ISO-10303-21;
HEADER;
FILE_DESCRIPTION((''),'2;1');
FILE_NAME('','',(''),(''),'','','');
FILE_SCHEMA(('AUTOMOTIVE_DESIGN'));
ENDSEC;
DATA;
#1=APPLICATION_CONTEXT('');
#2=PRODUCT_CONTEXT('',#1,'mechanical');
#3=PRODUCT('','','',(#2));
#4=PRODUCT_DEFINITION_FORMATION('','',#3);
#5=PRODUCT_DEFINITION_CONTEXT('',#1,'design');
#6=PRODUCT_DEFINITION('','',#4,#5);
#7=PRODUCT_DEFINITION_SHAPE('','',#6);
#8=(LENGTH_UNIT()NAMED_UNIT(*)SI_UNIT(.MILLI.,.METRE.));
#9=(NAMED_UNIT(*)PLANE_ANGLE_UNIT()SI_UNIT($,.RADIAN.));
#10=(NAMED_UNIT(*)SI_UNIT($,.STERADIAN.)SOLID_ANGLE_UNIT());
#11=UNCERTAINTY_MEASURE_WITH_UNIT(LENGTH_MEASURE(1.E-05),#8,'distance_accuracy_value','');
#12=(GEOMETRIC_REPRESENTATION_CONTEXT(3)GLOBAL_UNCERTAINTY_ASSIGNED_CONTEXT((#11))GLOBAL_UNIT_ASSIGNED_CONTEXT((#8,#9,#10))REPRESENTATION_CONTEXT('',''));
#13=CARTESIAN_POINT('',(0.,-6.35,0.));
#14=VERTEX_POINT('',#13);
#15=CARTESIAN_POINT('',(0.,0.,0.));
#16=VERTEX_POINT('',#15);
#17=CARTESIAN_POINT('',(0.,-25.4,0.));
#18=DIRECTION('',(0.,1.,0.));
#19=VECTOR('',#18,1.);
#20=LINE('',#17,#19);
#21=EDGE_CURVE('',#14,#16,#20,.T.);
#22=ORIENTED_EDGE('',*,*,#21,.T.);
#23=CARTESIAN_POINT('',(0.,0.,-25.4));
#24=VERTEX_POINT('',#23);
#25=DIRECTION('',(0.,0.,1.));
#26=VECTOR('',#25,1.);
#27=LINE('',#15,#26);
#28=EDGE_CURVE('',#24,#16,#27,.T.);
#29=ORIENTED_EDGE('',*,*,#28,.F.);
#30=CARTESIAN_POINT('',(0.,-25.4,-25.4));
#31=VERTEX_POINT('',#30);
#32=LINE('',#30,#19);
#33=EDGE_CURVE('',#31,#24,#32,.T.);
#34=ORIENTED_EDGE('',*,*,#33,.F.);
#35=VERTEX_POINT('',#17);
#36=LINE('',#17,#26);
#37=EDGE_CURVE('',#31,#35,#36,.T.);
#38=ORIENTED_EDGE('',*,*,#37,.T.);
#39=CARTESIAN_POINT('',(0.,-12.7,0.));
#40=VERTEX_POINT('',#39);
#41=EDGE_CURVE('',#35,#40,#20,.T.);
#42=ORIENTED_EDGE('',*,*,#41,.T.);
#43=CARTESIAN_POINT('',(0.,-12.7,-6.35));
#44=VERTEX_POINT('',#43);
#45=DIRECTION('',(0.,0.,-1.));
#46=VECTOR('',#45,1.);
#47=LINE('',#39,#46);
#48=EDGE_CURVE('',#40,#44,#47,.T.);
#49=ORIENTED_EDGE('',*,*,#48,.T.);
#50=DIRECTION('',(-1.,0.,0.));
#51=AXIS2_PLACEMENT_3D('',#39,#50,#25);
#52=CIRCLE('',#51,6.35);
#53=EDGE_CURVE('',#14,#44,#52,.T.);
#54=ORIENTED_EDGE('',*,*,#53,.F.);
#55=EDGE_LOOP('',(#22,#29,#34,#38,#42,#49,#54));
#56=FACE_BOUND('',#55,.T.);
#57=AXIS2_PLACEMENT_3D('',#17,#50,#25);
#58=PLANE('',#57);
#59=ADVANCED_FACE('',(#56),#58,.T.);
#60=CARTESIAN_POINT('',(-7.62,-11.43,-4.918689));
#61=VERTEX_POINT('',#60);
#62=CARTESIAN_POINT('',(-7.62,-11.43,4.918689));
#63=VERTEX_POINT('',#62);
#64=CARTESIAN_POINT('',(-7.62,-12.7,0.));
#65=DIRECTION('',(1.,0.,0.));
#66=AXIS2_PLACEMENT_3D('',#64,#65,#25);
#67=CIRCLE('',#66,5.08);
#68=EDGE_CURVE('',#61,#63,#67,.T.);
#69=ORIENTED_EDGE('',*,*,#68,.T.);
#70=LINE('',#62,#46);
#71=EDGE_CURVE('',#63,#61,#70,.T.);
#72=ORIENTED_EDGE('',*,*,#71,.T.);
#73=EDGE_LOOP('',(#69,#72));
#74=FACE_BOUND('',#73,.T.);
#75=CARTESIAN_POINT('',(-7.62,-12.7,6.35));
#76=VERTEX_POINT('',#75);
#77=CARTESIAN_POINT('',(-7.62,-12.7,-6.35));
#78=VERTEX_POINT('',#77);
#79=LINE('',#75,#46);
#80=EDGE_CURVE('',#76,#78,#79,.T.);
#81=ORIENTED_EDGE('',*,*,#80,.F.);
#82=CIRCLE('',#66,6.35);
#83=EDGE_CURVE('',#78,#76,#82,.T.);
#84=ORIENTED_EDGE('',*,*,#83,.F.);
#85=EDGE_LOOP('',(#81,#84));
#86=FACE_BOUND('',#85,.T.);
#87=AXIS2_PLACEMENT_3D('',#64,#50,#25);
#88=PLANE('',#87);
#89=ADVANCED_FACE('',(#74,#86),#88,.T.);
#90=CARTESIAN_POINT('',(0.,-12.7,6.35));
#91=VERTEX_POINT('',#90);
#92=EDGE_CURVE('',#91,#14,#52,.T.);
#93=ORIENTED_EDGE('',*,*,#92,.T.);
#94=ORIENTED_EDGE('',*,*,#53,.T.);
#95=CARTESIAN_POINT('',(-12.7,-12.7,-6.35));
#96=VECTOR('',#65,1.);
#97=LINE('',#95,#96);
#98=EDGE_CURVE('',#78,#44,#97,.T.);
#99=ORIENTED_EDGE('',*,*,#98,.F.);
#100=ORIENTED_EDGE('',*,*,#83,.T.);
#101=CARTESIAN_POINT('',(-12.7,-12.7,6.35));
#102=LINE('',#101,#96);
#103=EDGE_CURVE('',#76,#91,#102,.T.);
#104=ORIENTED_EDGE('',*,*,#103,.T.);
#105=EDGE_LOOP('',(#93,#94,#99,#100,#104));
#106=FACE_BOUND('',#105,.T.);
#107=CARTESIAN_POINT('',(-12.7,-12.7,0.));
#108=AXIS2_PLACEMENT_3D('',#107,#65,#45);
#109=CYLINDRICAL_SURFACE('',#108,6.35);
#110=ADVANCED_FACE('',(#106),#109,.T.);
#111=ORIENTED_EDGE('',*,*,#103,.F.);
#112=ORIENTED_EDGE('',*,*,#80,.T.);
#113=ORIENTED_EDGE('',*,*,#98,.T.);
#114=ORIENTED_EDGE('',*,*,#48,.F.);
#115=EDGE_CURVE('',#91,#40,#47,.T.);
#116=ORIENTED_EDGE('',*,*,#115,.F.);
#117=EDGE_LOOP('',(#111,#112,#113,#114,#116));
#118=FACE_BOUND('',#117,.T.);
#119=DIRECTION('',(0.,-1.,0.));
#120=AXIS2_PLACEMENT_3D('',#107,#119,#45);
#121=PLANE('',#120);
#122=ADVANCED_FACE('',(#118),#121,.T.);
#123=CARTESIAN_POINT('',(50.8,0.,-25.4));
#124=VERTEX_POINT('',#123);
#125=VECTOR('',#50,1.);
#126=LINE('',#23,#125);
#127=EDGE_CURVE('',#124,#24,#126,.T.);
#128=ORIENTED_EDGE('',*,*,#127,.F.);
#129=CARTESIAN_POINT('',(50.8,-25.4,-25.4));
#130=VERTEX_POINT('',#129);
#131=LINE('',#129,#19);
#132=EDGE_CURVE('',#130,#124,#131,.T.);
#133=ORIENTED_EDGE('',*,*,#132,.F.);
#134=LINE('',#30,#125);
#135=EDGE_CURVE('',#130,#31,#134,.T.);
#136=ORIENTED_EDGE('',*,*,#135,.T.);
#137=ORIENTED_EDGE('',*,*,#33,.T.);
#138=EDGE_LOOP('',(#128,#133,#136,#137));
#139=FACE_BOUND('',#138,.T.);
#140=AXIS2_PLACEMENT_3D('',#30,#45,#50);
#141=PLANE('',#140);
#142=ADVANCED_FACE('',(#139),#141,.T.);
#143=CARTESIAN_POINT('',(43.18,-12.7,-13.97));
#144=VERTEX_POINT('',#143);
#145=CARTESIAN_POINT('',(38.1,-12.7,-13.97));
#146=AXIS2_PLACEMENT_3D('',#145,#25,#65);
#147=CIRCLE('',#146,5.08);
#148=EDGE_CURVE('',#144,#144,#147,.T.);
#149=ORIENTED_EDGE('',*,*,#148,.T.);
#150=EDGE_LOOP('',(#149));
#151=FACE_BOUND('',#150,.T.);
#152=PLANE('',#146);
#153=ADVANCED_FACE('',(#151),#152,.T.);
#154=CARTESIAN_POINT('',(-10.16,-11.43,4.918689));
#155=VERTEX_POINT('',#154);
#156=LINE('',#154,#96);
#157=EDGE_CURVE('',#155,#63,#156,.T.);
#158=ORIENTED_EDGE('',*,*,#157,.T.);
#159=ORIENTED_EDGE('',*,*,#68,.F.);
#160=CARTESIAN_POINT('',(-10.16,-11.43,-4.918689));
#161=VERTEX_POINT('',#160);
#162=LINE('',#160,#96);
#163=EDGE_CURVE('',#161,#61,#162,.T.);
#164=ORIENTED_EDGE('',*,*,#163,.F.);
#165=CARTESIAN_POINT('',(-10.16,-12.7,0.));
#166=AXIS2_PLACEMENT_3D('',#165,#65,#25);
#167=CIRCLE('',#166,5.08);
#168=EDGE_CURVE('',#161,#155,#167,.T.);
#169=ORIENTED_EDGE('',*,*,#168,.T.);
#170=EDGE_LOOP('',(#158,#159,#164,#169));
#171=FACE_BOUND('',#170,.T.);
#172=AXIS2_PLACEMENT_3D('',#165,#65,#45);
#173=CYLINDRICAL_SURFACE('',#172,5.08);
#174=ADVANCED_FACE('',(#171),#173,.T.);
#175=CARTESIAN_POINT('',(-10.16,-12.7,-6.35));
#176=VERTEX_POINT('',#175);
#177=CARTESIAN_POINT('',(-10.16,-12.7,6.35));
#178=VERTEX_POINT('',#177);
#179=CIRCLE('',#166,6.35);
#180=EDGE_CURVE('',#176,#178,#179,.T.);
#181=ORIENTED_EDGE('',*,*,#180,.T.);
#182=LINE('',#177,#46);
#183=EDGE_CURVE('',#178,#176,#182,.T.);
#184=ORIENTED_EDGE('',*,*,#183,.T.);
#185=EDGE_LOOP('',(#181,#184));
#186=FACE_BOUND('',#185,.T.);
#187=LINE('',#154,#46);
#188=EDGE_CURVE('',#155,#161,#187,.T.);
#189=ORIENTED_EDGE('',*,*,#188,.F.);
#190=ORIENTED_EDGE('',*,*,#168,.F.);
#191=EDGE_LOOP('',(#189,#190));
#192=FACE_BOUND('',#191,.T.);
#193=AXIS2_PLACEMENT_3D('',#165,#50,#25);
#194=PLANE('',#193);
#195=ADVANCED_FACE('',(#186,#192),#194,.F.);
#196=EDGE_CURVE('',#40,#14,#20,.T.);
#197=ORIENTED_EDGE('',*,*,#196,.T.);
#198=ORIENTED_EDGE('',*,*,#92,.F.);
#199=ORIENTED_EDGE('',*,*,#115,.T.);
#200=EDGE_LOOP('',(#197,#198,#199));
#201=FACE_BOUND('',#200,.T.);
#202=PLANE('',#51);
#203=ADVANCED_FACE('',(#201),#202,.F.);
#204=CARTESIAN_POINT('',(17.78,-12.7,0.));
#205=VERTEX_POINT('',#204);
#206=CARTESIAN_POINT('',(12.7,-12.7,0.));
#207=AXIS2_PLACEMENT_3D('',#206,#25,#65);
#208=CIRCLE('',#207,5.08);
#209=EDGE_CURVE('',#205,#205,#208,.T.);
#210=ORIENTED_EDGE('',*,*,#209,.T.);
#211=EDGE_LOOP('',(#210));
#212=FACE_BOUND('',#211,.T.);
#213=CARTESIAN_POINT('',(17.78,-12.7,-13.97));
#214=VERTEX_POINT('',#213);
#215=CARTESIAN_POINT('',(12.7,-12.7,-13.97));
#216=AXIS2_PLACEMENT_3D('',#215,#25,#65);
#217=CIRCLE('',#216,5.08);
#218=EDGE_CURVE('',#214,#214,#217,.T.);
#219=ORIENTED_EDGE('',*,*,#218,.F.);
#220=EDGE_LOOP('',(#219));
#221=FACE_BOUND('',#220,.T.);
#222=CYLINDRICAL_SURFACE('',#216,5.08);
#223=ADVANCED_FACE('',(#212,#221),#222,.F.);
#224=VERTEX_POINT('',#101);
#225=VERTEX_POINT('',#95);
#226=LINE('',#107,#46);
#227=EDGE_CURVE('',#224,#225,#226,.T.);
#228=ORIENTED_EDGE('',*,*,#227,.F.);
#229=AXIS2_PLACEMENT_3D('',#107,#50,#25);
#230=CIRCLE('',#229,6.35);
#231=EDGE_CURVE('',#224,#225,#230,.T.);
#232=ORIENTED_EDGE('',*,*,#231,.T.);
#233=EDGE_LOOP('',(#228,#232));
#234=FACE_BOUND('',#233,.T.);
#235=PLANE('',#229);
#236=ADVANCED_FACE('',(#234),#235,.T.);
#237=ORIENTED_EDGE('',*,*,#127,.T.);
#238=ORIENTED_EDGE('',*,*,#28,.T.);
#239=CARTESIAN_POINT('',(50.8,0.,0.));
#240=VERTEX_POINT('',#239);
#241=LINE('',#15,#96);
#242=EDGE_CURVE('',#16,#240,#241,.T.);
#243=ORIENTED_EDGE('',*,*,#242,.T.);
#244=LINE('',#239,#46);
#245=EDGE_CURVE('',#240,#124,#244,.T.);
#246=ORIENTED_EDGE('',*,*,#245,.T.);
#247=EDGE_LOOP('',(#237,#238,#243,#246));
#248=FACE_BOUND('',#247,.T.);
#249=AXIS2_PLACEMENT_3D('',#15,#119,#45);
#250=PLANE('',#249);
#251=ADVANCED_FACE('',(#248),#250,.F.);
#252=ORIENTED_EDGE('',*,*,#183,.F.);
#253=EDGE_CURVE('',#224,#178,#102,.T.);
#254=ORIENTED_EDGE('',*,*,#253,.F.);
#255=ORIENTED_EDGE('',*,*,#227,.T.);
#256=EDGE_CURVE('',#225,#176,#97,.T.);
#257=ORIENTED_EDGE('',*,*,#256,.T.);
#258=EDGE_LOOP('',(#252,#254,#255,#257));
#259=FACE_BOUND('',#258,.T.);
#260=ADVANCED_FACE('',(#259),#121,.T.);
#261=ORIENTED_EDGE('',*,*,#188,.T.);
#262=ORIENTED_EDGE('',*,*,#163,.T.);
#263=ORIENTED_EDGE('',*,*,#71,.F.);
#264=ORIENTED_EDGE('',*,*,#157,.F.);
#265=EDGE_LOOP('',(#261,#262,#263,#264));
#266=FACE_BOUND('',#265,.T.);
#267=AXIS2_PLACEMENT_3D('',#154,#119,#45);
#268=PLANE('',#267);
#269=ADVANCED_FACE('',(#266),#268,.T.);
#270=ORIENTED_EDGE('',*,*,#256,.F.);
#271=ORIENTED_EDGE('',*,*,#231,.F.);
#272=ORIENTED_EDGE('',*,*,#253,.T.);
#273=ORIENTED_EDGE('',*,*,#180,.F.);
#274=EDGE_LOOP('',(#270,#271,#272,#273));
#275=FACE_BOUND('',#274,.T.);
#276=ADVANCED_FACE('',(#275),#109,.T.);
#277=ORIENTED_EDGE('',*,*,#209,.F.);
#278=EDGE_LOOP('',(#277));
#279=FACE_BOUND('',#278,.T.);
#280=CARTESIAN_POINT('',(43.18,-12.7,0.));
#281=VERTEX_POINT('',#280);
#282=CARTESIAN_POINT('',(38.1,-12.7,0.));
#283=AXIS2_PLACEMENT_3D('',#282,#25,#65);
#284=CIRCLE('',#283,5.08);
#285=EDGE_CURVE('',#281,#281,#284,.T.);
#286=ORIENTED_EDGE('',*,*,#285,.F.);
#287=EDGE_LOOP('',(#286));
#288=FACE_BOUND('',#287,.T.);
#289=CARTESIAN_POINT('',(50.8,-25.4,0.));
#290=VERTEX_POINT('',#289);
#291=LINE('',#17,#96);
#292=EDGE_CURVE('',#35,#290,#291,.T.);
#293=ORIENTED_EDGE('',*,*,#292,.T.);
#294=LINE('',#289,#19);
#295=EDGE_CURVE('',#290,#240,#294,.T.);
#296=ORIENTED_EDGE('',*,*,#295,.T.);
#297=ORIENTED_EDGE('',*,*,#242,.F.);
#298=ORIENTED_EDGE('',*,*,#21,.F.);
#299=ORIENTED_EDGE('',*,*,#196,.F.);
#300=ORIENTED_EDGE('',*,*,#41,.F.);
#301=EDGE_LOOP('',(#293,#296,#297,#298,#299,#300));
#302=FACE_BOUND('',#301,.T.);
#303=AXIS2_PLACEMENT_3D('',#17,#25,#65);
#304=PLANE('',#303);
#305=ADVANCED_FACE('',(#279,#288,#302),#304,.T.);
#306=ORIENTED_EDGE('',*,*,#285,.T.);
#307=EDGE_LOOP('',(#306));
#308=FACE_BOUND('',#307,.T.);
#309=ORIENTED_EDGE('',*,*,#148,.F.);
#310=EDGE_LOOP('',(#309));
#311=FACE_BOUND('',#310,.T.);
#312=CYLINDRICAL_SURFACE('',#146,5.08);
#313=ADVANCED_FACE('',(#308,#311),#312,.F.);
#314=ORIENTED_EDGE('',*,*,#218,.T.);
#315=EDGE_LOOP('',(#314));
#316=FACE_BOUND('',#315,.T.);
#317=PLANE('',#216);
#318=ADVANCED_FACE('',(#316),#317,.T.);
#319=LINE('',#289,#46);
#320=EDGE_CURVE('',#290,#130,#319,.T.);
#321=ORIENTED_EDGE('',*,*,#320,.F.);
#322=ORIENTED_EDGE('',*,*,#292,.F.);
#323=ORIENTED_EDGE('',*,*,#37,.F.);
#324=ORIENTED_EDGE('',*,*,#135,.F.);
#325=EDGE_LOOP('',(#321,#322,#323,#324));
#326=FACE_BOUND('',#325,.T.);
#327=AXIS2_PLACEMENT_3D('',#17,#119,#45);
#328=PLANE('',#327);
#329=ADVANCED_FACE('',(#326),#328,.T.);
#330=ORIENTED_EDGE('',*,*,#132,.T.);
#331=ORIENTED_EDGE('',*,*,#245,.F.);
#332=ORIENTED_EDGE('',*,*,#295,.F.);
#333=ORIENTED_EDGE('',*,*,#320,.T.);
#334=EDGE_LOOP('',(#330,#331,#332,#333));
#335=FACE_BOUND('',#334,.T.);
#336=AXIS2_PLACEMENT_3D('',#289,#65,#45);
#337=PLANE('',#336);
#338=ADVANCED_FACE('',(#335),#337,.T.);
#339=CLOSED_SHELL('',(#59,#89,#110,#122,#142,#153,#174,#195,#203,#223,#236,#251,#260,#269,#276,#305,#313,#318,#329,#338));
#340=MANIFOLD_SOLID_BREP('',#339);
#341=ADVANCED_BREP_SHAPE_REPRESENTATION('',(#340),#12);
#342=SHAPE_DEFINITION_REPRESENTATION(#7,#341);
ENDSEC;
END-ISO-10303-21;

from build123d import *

# Parameters (mm, degrees)
SKETCH1_W           = 50.8
SKETCH1_H           = 25.4
BOSS_EXTRUDE1_DEPTH = 25.4
SKETCH2_R           = 5.08
CUT_EXTRUDE1_DEPTH  = 13.97
BOSS_EXTRUDE2_DEPTH = 12.7
CUT_EXTRUDE3_START  = -7.62
CUT_EXTRUDE3_DEPTH  = 2.54


with BuildPart() as part:
    # Sketch1 → Boss-Extrude1 (new body)
    with BuildSketch(Plane(origin=(0, 0, 0), x_dir=(1, 0, 0), z_dir=(0, 1, 0))):
        with Locations((25.4, 12.7)):
            Rectangle(SKETCH1_W, SKETCH1_H)
    extrude(amount=-BOSS_EXTRUDE1_DEPTH)

    # Sketch2 → Cut-Extrude1 (cut)
    with BuildSketch(Plane.XY):
        with Locations((12.7, -12.7)):
            Circle(SKETCH2_R)
        with Locations((38.1, -12.7)):
            Circle(SKETCH2_R)
    extrude(amount=-CUT_EXTRUDE1_DEPTH, mode=Mode.SUBTRACT)

    # Sketch3 → Boss-Extrude2 (add)
    with BuildSketch(Plane(origin=(0, 0, 0), x_dir=(0, 0, -1), z_dir=(1, 0, 0))):
        with BuildLine():
            Line((-6.35, -12.7), (6.35, -12.7))
            ThreePointArc((6.35, -12.7), (0, -6.35), (-6.35, -12.7))
        make_face()
    extrude(amount=-BOSS_EXTRUDE2_DEPTH)

    # Sketch4 → Cut-Extrude3 (cut)
    with BuildSketch(Plane(origin=(0, 0, 0), x_dir=(0, 0, -1), z_dir=(1, 0, 0)).offset(CUT_EXTRUDE3_START)):
        with BuildLine():
            Line((-6.35, -12.7), (6.35, -12.7))
            ThreePointArc((6.35, -12.7), (0, -6.35), (-6.35, -12.7))
        make_face()
        with BuildLine():
            Line((-4.91868885, -11.43), (4.91868885, -11.43))
            ThreePointArc((4.91868885, -11.43), (0, -7.62), (-4.91868885, -11.43))
        make_face(mode=Mode.SUBTRACT)
    extrude(amount=-CUT_EXTRUDE3_DEPTH, mode=Mode.SUBTRACT)


solid = part.part
